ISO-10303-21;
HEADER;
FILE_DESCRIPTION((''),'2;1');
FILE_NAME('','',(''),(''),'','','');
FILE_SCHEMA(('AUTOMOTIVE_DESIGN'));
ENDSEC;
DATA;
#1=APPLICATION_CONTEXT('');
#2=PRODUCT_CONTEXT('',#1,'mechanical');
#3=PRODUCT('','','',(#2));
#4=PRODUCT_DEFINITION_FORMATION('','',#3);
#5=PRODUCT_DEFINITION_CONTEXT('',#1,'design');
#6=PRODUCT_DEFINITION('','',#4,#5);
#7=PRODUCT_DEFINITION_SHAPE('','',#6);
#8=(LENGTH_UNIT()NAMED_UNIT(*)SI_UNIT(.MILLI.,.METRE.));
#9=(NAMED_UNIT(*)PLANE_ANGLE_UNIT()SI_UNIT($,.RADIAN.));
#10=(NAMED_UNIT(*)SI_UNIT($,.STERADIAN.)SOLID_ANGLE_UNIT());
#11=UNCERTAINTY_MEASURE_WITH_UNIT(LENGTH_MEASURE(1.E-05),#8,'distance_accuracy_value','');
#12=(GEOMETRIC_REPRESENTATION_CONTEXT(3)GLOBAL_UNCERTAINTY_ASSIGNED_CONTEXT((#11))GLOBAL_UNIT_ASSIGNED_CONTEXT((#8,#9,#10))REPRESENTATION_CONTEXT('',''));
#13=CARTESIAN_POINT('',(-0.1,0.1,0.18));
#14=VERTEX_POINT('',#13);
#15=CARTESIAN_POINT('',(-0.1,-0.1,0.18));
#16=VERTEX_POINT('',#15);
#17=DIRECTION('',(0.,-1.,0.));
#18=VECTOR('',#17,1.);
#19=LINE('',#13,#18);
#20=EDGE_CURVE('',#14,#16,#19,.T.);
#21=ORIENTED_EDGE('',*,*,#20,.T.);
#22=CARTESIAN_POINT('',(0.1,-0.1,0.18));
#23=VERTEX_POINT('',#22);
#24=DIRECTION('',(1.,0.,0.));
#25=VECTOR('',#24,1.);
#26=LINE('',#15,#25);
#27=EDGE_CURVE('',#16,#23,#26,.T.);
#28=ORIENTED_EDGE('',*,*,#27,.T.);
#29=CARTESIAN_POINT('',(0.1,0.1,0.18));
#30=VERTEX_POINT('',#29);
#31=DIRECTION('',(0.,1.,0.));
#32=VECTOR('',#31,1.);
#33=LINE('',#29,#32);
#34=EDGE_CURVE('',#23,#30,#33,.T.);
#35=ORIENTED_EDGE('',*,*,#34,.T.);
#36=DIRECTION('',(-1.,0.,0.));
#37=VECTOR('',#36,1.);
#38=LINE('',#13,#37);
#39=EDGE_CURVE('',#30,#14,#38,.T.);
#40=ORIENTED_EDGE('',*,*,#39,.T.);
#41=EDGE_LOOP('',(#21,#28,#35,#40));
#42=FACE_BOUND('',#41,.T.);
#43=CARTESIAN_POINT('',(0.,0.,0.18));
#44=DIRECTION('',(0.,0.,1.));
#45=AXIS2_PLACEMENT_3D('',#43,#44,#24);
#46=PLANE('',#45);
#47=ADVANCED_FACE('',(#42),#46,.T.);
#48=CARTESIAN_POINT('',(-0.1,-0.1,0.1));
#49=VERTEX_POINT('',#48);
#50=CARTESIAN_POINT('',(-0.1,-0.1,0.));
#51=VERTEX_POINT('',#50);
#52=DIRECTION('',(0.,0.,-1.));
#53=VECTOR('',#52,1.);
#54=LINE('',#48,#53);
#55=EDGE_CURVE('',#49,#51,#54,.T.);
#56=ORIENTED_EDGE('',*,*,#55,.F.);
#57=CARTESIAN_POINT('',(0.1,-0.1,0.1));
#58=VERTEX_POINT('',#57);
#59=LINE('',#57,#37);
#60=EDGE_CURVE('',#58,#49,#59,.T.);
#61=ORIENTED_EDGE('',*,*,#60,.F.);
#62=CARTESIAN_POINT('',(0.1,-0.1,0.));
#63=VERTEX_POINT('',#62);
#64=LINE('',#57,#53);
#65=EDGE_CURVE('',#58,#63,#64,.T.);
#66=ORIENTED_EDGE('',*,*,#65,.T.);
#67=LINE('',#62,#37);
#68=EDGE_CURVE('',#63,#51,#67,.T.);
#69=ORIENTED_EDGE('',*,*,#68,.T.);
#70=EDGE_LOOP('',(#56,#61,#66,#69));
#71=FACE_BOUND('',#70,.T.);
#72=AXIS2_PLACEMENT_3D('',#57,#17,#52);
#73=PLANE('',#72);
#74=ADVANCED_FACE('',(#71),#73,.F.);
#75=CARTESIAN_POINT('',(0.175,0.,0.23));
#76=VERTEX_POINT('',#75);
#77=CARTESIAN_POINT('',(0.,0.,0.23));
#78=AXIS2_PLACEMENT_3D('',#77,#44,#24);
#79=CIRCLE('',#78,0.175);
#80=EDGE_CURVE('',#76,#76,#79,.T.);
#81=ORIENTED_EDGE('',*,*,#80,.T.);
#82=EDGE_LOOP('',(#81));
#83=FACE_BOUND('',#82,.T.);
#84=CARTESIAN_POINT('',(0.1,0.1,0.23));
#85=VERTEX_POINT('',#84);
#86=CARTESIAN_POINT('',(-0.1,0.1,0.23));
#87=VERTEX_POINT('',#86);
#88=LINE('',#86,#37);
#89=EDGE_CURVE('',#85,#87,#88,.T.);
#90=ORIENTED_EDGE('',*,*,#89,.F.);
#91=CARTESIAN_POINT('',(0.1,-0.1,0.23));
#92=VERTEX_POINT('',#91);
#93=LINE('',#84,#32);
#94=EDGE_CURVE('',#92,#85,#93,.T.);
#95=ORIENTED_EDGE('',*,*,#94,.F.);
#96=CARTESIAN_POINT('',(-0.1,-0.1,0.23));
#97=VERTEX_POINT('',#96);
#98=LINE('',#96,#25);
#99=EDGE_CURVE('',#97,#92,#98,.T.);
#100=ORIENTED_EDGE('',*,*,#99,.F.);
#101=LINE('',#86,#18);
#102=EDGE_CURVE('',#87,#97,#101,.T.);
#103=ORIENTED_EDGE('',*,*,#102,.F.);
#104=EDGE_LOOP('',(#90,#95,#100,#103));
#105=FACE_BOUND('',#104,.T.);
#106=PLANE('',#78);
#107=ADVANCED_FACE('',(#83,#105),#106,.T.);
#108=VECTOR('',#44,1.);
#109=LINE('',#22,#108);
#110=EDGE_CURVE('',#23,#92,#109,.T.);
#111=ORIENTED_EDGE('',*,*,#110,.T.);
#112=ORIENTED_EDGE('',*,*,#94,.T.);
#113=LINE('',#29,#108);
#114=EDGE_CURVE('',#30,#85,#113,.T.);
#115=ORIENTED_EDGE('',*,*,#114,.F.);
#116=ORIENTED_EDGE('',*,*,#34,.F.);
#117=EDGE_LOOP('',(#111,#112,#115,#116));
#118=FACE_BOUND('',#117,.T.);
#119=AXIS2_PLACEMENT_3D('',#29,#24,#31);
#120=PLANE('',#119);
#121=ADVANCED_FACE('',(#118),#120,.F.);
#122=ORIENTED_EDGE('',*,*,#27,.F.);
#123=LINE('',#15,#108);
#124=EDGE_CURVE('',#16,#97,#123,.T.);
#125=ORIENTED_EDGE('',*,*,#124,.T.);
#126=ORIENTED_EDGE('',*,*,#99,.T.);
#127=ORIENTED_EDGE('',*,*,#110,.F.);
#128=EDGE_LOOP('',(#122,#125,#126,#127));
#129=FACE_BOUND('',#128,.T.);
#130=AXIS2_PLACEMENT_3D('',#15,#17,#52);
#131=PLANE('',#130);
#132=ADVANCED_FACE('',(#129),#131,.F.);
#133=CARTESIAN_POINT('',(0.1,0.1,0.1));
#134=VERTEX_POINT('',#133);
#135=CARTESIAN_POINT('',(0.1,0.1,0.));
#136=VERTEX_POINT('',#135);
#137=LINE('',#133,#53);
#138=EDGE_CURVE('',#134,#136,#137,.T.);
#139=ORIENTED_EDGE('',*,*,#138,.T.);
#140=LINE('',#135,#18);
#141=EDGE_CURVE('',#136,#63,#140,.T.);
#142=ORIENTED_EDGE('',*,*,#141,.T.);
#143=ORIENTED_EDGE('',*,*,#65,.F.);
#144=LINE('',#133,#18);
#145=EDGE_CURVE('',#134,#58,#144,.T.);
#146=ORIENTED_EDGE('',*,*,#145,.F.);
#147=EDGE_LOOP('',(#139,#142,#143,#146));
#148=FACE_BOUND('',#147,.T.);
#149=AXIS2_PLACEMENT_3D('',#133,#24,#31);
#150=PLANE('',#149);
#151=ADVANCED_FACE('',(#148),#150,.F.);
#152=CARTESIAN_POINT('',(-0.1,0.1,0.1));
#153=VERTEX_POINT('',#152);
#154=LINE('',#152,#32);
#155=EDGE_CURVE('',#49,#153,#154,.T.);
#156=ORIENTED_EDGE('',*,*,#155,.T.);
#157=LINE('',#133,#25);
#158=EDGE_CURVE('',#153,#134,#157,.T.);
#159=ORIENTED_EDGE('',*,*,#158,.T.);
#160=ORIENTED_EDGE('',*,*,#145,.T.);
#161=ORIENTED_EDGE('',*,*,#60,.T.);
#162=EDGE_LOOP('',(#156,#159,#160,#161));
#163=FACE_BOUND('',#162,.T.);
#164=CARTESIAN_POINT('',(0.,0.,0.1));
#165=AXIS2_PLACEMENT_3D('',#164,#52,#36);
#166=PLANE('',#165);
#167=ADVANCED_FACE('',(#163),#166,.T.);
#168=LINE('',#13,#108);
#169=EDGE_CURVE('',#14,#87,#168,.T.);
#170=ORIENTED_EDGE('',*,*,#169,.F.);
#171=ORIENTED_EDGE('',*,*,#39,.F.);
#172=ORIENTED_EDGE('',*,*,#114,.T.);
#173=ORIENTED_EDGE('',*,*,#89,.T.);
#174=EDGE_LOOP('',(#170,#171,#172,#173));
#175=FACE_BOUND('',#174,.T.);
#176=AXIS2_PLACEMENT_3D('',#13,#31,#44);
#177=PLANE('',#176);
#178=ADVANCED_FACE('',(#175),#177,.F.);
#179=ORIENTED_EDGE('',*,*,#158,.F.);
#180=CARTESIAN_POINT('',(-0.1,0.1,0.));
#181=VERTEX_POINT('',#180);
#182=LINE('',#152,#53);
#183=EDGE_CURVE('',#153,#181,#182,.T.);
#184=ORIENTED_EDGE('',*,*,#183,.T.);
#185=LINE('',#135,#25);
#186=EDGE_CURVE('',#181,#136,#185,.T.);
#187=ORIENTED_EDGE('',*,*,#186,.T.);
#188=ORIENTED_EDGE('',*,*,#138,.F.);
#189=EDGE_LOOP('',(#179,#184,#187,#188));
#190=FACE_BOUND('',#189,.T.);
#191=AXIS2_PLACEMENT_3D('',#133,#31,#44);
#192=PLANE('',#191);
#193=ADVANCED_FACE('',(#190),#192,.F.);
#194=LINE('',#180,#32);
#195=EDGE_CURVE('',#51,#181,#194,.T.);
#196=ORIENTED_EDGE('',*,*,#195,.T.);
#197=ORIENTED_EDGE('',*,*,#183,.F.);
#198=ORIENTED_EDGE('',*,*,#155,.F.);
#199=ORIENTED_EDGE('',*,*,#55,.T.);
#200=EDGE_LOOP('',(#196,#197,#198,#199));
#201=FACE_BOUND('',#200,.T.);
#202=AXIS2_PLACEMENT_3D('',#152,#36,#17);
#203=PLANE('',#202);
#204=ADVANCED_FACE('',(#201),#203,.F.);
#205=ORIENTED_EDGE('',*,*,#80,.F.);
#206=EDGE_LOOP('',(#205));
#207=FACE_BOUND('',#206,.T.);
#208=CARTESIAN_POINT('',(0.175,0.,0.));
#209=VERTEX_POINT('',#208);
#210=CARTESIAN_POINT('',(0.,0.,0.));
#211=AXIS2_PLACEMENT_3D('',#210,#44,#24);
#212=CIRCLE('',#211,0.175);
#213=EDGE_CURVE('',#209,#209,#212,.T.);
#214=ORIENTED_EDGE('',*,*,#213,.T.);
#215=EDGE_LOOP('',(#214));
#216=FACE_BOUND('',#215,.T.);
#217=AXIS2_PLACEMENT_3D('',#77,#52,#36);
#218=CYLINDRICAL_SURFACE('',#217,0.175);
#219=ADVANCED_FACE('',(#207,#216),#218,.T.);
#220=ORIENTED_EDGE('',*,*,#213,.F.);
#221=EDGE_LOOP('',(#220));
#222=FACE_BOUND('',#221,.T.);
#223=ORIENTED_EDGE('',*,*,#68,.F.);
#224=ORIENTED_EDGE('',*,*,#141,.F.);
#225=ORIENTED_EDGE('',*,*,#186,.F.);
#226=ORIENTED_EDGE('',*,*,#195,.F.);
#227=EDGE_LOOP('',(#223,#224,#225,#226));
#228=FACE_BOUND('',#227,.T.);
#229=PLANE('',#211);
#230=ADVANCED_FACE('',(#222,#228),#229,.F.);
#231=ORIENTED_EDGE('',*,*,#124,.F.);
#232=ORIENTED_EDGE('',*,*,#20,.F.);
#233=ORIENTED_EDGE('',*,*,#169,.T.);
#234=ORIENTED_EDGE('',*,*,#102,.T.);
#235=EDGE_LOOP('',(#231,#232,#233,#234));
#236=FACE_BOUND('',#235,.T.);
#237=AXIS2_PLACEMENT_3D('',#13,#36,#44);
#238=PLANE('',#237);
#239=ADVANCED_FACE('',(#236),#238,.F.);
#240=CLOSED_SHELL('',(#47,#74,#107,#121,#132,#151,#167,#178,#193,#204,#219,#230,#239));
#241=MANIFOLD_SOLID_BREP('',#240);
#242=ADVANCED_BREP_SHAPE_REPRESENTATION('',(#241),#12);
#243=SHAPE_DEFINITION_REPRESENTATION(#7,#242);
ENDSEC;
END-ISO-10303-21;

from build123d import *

# Parameters (mm, degrees)
SKETCH1_R           = 0.175
BOSS_EXTRUDE1_DEPTH = 0.23
SKETCH2_W           = 0.2
SKETCH2_H           = 0.2
CUT_EXTRUDE1_DEPTH  = 0.05
SKETCH3_W           = 0.2
SKETCH3_H           = 0.2
CUT_EXTRUDE2_DEPTH  = 0.1


with BuildPart() as part:
    # Sketch1 → Boss-Extrude1 (new body)
    with BuildSketch(Plane.XY):
        Circle(SKETCH1_R)
    extrude(amount=BOSS_EXTRUDE1_DEPTH)

    # Sketch2 → Cut-Extrude1 (cut)
    with BuildSketch(Plane.XY.offset(0.23)):
        Rectangle(SKETCH2_W, SKETCH2_H)
    extrude(amount=-CUT_EXTRUDE1_DEPTH, mode=Mode.SUBTRACT)

    # Sketch3 → Cut-Extrude2 (cut)
    with BuildSketch(Plane(origin=(0, 0, 0), x_dir=(-1, 0, 0), z_dir=(0, 0, -1))):
        Rectangle(SKETCH3_W, SKETCH3_H)
    extrude(amount=-CUT_EXTRUDE2_DEPTH, mode=Mode.SUBTRACT)


solid = part.part
